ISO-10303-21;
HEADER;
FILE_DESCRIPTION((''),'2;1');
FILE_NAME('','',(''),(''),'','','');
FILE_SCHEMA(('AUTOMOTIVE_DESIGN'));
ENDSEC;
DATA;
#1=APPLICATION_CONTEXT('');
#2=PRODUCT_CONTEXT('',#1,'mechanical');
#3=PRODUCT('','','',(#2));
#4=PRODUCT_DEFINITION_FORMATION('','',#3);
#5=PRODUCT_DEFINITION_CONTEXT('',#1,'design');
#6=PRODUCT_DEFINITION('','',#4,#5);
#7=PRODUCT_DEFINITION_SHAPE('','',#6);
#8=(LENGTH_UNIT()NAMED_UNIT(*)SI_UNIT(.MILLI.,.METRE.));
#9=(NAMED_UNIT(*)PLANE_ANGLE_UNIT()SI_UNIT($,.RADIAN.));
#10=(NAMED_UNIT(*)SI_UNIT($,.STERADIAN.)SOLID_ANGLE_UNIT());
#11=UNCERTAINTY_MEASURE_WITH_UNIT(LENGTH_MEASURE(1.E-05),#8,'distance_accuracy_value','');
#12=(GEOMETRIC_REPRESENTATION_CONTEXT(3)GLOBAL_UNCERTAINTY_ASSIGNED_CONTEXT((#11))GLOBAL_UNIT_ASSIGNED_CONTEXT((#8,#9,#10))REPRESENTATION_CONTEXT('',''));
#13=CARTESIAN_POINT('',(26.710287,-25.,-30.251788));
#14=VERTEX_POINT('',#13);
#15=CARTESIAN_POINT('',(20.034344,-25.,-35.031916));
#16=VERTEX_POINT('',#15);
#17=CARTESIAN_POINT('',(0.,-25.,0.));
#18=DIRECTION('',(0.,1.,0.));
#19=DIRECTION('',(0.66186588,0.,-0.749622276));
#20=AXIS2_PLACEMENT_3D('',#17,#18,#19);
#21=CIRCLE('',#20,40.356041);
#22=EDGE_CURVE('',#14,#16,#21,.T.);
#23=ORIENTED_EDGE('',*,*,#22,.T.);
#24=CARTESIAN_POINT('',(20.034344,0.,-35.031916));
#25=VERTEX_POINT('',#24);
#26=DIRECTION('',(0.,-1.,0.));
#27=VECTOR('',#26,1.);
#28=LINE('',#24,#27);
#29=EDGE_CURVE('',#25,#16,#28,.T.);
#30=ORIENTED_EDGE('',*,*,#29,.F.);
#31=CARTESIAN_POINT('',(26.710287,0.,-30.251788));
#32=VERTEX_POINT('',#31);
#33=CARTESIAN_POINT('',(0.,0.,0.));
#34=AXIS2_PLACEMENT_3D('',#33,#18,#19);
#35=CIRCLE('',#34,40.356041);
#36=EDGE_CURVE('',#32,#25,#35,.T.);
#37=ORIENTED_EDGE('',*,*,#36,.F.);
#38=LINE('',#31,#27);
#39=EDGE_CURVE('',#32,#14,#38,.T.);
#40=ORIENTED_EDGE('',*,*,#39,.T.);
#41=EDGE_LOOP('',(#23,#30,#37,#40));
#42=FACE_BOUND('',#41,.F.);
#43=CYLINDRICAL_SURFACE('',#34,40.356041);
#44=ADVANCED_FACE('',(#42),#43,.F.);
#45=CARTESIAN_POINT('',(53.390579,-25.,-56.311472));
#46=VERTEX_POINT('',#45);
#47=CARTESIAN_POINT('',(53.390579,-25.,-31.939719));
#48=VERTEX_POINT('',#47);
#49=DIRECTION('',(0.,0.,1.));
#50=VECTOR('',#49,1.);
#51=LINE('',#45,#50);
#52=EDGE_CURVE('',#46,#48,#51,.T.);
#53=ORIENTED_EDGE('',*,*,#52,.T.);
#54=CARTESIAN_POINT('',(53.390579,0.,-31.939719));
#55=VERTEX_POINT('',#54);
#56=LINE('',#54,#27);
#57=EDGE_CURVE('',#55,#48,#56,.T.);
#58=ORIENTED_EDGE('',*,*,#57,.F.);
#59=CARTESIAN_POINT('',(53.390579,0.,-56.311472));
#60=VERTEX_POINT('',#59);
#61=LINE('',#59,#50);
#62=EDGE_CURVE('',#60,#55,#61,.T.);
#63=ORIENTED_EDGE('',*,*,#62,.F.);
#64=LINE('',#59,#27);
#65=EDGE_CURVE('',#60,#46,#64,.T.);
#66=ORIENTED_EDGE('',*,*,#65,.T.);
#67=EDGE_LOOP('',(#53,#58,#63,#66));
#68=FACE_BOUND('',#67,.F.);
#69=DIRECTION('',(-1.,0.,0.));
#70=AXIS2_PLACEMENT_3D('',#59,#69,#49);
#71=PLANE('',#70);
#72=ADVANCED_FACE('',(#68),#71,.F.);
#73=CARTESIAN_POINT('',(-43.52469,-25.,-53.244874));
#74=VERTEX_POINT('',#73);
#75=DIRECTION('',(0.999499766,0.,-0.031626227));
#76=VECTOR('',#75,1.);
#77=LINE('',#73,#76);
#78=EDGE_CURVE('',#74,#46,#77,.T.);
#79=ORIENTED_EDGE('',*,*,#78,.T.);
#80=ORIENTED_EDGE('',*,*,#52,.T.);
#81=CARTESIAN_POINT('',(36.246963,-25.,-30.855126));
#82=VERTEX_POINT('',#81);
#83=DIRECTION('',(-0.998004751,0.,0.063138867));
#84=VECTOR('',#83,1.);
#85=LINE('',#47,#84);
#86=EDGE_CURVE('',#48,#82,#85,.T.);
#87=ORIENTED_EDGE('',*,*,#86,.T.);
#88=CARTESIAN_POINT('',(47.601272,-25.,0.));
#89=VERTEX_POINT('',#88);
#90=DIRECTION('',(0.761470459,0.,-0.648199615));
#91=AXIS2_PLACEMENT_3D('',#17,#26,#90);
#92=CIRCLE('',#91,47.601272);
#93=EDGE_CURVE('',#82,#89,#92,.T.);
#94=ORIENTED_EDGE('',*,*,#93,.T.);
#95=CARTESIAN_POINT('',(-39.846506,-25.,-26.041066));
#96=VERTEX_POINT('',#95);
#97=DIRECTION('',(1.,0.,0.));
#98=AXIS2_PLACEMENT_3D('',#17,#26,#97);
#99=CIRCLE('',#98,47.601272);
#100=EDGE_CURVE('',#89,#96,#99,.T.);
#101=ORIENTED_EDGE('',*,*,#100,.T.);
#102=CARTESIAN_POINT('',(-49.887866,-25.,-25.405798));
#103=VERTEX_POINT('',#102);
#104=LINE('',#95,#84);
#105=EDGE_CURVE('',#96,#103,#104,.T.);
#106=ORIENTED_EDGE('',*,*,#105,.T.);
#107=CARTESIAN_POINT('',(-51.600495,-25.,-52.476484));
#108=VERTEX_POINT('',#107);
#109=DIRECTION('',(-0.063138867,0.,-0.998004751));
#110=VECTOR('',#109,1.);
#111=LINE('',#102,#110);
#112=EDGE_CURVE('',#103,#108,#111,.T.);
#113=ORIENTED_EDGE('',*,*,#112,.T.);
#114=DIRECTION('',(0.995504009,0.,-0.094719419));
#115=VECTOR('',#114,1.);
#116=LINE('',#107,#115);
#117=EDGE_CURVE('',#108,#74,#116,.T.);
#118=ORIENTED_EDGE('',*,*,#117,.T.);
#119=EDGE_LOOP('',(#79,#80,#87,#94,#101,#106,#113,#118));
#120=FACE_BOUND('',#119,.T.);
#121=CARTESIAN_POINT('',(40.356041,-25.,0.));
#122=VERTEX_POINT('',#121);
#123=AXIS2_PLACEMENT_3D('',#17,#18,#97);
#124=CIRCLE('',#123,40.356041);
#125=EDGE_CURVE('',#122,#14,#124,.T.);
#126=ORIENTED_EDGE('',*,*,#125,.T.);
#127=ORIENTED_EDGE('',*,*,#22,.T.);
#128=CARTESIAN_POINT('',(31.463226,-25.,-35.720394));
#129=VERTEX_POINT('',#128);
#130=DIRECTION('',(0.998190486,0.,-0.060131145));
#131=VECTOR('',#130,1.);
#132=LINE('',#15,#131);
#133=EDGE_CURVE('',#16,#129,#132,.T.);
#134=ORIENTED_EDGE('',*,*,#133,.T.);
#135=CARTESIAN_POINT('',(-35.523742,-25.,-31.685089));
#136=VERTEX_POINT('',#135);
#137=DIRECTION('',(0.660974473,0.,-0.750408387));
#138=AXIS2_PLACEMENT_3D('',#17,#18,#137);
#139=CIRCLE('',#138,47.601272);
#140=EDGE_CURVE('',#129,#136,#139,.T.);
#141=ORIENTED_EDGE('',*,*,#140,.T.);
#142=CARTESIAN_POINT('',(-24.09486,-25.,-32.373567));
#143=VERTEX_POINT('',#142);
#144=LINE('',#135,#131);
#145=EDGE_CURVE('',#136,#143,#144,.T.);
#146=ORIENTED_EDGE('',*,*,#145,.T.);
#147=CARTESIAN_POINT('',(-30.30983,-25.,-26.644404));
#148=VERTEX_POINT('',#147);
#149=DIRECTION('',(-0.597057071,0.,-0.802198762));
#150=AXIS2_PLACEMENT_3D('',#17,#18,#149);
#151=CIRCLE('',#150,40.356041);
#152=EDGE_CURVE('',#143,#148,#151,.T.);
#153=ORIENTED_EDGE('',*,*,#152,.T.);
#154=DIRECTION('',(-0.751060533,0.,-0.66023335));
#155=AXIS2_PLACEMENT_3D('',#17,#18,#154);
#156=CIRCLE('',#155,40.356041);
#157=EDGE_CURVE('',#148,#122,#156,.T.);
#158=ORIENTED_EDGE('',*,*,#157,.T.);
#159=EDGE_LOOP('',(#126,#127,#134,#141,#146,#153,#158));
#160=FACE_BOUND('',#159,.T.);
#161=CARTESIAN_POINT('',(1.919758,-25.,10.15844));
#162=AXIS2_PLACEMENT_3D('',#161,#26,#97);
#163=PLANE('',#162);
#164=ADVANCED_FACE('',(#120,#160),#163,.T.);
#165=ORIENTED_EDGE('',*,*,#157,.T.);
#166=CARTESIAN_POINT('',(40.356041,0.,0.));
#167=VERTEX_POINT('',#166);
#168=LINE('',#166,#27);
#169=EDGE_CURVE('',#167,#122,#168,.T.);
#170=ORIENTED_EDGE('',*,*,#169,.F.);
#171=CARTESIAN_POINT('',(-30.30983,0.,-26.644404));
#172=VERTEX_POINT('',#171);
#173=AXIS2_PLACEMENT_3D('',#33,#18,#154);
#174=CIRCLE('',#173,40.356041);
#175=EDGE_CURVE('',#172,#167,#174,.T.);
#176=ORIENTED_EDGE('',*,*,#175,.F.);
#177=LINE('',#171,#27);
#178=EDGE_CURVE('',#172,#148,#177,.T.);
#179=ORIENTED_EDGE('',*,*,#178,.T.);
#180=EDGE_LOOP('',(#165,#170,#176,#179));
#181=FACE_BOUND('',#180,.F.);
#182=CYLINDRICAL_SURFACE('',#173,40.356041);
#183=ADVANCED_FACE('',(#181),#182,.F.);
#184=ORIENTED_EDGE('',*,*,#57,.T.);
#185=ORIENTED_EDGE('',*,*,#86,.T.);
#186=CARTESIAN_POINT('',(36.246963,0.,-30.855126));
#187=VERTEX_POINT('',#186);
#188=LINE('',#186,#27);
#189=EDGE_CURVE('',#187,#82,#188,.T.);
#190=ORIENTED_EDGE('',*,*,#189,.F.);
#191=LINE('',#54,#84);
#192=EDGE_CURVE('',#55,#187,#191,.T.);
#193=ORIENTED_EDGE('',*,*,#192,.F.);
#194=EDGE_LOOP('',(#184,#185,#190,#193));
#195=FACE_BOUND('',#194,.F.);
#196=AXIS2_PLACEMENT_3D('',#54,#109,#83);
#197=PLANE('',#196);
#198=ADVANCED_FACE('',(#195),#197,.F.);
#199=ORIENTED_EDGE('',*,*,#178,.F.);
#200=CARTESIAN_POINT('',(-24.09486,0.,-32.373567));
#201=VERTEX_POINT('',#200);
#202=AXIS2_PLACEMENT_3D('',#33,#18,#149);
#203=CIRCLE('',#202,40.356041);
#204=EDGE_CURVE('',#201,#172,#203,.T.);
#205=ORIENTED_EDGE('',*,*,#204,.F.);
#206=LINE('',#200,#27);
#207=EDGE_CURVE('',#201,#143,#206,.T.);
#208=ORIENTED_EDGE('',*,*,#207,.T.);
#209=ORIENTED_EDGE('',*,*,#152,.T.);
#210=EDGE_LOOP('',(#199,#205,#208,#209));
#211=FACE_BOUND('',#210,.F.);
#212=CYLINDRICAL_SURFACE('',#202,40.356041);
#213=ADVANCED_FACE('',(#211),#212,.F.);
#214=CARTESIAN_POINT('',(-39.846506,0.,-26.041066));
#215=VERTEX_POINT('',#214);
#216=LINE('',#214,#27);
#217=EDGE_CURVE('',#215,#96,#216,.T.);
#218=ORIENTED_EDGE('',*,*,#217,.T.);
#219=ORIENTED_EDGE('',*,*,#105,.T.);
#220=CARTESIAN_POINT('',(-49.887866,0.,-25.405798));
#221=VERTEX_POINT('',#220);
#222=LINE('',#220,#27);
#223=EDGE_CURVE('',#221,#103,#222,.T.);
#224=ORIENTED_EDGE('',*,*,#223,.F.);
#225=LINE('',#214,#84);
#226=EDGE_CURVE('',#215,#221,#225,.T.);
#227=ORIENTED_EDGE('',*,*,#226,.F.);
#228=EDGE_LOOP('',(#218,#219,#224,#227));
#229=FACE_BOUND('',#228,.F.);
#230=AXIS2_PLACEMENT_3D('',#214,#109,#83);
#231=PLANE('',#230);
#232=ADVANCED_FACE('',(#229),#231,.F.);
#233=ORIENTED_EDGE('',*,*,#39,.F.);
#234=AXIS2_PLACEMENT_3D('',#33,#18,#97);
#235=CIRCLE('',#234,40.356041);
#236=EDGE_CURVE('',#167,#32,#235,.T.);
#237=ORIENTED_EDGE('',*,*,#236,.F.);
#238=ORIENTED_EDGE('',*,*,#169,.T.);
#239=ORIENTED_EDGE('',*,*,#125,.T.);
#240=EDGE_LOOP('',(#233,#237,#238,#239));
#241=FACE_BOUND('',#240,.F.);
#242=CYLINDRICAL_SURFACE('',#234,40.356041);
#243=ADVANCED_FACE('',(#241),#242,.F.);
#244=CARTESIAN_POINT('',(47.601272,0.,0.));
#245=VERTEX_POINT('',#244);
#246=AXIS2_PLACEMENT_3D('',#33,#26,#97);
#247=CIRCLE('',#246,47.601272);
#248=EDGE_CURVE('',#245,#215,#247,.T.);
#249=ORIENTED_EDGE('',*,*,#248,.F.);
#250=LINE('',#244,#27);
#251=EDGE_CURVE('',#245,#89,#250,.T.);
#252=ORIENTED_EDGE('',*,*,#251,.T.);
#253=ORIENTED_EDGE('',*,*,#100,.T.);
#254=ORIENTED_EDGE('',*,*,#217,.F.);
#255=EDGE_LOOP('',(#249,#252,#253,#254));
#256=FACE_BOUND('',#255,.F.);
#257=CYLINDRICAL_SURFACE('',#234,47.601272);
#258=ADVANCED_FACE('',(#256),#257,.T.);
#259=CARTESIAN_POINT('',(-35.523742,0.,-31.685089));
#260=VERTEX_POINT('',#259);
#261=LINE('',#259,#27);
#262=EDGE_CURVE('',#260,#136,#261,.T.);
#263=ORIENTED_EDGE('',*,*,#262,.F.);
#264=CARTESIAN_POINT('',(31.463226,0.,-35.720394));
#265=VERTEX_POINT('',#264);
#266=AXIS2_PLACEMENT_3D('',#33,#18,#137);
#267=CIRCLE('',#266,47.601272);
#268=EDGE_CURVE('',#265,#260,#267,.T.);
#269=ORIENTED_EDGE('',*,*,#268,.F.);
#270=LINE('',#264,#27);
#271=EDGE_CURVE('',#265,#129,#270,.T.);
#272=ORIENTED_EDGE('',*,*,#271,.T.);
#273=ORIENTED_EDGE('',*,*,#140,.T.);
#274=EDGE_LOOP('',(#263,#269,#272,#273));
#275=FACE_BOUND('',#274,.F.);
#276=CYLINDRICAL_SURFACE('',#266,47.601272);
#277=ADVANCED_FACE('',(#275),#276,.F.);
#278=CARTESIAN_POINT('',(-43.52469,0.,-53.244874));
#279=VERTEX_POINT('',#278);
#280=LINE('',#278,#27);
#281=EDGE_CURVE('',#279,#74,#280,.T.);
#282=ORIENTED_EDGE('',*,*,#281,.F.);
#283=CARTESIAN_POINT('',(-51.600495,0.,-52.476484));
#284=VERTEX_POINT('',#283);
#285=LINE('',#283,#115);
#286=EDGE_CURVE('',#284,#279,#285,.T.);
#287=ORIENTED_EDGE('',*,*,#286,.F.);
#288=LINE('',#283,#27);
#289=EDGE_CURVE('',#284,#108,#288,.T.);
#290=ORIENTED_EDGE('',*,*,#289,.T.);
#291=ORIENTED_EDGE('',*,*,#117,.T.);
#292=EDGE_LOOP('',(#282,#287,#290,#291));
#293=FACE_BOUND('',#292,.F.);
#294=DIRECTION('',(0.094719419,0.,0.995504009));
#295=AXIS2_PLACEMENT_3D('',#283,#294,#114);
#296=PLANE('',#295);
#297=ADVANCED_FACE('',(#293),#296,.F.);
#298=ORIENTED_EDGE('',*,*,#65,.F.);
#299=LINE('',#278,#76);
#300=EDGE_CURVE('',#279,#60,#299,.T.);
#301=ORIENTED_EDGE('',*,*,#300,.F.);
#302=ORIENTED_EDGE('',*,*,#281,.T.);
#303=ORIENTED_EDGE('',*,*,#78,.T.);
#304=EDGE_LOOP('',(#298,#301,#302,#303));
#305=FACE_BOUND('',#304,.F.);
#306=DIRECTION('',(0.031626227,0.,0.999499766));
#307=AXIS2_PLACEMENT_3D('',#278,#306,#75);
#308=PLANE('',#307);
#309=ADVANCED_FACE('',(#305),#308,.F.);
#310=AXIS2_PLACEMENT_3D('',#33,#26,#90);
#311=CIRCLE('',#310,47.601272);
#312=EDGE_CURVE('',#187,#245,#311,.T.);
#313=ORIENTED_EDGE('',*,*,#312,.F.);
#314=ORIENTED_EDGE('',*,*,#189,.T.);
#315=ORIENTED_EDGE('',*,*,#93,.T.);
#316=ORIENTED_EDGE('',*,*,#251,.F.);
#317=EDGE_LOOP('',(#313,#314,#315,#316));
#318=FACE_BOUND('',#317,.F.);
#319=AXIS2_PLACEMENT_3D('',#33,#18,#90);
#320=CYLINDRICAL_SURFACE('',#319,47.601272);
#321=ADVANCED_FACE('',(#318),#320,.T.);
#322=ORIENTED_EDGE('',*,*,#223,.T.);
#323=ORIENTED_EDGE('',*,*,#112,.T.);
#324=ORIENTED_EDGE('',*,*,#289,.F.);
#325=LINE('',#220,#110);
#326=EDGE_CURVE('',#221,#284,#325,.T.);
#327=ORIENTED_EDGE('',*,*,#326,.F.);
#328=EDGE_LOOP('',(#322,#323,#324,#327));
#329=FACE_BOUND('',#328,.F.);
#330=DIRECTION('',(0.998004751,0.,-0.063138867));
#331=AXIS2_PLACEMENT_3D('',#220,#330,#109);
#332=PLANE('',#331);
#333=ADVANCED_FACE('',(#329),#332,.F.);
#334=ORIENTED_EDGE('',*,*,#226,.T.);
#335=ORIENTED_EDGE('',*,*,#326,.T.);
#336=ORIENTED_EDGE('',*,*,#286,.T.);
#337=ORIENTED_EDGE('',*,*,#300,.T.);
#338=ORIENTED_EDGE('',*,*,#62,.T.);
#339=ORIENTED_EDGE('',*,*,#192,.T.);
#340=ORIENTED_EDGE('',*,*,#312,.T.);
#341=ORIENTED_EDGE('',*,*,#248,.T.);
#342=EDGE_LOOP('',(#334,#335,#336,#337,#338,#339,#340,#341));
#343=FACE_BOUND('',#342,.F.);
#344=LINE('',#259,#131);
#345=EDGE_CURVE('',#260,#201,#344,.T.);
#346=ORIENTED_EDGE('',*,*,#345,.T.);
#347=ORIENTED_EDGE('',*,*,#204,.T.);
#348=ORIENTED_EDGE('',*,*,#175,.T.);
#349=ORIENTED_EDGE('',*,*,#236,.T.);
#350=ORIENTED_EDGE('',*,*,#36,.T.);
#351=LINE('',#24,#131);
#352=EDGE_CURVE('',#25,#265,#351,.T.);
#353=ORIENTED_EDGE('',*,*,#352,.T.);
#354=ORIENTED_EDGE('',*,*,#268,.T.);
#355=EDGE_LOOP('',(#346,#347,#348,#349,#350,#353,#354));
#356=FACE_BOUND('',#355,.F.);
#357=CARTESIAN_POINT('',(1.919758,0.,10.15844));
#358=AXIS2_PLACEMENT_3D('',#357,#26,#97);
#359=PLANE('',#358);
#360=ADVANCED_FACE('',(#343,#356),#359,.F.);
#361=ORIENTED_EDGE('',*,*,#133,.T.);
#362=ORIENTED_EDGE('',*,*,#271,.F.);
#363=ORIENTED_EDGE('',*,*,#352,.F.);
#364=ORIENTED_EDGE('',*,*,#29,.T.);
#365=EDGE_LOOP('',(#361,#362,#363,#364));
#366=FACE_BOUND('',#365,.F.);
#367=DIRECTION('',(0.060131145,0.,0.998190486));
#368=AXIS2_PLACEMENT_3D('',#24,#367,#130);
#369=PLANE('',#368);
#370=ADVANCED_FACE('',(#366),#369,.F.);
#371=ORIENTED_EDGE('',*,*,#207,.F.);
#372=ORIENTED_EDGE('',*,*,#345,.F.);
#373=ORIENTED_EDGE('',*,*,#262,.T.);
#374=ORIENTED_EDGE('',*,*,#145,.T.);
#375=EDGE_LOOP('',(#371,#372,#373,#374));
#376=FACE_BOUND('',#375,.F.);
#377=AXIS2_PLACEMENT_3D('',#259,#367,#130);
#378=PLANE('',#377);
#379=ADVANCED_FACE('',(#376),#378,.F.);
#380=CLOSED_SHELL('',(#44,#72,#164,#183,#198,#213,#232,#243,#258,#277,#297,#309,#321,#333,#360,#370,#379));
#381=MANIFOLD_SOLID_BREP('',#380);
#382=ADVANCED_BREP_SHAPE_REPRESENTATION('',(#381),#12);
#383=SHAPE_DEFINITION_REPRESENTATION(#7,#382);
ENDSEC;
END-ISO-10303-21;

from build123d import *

# Parameters (mm, degrees)
F1_DEPTH = 25


with BuildPart() as f1:
    # F0 (on Front) → F1 (new body)
    with BuildSketch(Plane.XZ):
        with BuildLine():
            ThreePointArc((36.2469626396, -30.8551263557), (44.6726015645, -16.4389717586), (47.6012722837, 0))
            ThreePointArc((47.6012722837, 0), (-13.5855944679, 45.6214066637), (-39.8465057326, -26.0410657218))
            Line((-39.8465057326, -26.0410657218), (-30.3098299988, -26.6444044342))
            ThreePointArc((-30.3098299988, -26.6444044342), (-14.2377197292, 37.7610569121), (40.3560414586, 0))
            ThreePointArc((40.3560414586, 0), (36.786760716, -16.5935022895), (26.7102869059, -30.2517876433))
            Line((26.7102869059, -30.2517876433), (36.2469626396, -30.8551263557))
        make_face()
        with BuildLine():
            Line((-30.3098299988, -26.6444044342), (-39.8465057326, -26.0410657218))
            ThreePointArc((-39.8465057326, -26.0410657218), (-37.7906379863, -28.9438906094), (-35.5237422419, -31.6850889245))
            Line((-35.5237422419, -31.6850889245), (-24.0948598989, -32.3735665113))
            ThreePointArc((-24.0948598989, -32.3735665113), (-27.3527584577, -29.6721533928), (-30.3098299988, -26.6444044342))
        make_face()
        with BuildLine():
            ThreePointArc((-35.5237422419, -31.6850889245), (-37.7906379863, -28.9438906094), (-39.8465057326, -26.0410657218))
            Line((-39.8465057326, -26.0410657218), (-49.8878657818, -25.4057981074))
            Line((-49.8878657818, -25.4057981074), (-51.600495318, -52.4764836175))
            Line((-51.600495318, -52.4764836175), (-43.5246899724, -53.2448738813))
            Line((-43.5246899724, -53.2448738813), (53.390578526, -56.3114721632))
            Line((53.390578526, -56.3114721632), (53.390578526, -31.9397188723))
            Line((53.390578526, -31.9397188723), (36.2469626396, -30.8551263557))
            ThreePointArc((36.2469626396, -30.8551263557), (33.9423793102, -33.3735825135), (31.4632258432, -35.7203939306))
            Line((31.4632258432, -35.7203939306), (46.3248193264, -36.6156585515))
            Line((46.3248193264, -36.6156585515), (46.3248193264, -51.7858378589))
            Line((46.3248193264, -51.7858378589), (-43.5246899724, -46.4044213295))
            Line((-43.5246899724, -46.4044213295), (-43.0446043611, -31.2320310622))
            Line((-43.0446043611, -31.2320310622), (-35.5237422419, -31.6850889245))
        make_face()
        with BuildLine():
            ThreePointArc((31.4632258432, -35.7203939306), (33.9423793102, -33.3735825135), (36.2469626396, -30.8551263557))
            Line((36.2469626396, -30.8551263557), (26.7102869059, -30.2517876433))
            ThreePointArc((26.7102869059, -30.2517876433), (23.494201956, -32.8120794321), (20.0343435002, -35.0319163439))
            Line((20.0343435002, -35.0319163439), (31.4632258432, -35.7203939306))
        make_face()
        with BuildLine():
            ThreePointArc((31.4632258432, -35.7203939306), (-2.8623189863, -47.5151370938), (-35.5237422419, -31.6850889245))
            Line((-35.5237422419, -31.6850889245), (-43.0446043611, -31.2320310622))
            Line((-43.0446043611, -31.2320310622), (-43.5246899724, -46.4044213295))
            Line((-43.5246899724, -46.4044213295), (46.3248193264, -51.7858378589))
            Line((46.3248193264, -51.7858378589), (46.3248193264, -36.6156585515))
            Line((46.3248193264, -36.6156585515), (31.4632258432, -35.7203939306))
        make_face()
    extrude(amount=F1_DEPTH)


solid = f1.part
